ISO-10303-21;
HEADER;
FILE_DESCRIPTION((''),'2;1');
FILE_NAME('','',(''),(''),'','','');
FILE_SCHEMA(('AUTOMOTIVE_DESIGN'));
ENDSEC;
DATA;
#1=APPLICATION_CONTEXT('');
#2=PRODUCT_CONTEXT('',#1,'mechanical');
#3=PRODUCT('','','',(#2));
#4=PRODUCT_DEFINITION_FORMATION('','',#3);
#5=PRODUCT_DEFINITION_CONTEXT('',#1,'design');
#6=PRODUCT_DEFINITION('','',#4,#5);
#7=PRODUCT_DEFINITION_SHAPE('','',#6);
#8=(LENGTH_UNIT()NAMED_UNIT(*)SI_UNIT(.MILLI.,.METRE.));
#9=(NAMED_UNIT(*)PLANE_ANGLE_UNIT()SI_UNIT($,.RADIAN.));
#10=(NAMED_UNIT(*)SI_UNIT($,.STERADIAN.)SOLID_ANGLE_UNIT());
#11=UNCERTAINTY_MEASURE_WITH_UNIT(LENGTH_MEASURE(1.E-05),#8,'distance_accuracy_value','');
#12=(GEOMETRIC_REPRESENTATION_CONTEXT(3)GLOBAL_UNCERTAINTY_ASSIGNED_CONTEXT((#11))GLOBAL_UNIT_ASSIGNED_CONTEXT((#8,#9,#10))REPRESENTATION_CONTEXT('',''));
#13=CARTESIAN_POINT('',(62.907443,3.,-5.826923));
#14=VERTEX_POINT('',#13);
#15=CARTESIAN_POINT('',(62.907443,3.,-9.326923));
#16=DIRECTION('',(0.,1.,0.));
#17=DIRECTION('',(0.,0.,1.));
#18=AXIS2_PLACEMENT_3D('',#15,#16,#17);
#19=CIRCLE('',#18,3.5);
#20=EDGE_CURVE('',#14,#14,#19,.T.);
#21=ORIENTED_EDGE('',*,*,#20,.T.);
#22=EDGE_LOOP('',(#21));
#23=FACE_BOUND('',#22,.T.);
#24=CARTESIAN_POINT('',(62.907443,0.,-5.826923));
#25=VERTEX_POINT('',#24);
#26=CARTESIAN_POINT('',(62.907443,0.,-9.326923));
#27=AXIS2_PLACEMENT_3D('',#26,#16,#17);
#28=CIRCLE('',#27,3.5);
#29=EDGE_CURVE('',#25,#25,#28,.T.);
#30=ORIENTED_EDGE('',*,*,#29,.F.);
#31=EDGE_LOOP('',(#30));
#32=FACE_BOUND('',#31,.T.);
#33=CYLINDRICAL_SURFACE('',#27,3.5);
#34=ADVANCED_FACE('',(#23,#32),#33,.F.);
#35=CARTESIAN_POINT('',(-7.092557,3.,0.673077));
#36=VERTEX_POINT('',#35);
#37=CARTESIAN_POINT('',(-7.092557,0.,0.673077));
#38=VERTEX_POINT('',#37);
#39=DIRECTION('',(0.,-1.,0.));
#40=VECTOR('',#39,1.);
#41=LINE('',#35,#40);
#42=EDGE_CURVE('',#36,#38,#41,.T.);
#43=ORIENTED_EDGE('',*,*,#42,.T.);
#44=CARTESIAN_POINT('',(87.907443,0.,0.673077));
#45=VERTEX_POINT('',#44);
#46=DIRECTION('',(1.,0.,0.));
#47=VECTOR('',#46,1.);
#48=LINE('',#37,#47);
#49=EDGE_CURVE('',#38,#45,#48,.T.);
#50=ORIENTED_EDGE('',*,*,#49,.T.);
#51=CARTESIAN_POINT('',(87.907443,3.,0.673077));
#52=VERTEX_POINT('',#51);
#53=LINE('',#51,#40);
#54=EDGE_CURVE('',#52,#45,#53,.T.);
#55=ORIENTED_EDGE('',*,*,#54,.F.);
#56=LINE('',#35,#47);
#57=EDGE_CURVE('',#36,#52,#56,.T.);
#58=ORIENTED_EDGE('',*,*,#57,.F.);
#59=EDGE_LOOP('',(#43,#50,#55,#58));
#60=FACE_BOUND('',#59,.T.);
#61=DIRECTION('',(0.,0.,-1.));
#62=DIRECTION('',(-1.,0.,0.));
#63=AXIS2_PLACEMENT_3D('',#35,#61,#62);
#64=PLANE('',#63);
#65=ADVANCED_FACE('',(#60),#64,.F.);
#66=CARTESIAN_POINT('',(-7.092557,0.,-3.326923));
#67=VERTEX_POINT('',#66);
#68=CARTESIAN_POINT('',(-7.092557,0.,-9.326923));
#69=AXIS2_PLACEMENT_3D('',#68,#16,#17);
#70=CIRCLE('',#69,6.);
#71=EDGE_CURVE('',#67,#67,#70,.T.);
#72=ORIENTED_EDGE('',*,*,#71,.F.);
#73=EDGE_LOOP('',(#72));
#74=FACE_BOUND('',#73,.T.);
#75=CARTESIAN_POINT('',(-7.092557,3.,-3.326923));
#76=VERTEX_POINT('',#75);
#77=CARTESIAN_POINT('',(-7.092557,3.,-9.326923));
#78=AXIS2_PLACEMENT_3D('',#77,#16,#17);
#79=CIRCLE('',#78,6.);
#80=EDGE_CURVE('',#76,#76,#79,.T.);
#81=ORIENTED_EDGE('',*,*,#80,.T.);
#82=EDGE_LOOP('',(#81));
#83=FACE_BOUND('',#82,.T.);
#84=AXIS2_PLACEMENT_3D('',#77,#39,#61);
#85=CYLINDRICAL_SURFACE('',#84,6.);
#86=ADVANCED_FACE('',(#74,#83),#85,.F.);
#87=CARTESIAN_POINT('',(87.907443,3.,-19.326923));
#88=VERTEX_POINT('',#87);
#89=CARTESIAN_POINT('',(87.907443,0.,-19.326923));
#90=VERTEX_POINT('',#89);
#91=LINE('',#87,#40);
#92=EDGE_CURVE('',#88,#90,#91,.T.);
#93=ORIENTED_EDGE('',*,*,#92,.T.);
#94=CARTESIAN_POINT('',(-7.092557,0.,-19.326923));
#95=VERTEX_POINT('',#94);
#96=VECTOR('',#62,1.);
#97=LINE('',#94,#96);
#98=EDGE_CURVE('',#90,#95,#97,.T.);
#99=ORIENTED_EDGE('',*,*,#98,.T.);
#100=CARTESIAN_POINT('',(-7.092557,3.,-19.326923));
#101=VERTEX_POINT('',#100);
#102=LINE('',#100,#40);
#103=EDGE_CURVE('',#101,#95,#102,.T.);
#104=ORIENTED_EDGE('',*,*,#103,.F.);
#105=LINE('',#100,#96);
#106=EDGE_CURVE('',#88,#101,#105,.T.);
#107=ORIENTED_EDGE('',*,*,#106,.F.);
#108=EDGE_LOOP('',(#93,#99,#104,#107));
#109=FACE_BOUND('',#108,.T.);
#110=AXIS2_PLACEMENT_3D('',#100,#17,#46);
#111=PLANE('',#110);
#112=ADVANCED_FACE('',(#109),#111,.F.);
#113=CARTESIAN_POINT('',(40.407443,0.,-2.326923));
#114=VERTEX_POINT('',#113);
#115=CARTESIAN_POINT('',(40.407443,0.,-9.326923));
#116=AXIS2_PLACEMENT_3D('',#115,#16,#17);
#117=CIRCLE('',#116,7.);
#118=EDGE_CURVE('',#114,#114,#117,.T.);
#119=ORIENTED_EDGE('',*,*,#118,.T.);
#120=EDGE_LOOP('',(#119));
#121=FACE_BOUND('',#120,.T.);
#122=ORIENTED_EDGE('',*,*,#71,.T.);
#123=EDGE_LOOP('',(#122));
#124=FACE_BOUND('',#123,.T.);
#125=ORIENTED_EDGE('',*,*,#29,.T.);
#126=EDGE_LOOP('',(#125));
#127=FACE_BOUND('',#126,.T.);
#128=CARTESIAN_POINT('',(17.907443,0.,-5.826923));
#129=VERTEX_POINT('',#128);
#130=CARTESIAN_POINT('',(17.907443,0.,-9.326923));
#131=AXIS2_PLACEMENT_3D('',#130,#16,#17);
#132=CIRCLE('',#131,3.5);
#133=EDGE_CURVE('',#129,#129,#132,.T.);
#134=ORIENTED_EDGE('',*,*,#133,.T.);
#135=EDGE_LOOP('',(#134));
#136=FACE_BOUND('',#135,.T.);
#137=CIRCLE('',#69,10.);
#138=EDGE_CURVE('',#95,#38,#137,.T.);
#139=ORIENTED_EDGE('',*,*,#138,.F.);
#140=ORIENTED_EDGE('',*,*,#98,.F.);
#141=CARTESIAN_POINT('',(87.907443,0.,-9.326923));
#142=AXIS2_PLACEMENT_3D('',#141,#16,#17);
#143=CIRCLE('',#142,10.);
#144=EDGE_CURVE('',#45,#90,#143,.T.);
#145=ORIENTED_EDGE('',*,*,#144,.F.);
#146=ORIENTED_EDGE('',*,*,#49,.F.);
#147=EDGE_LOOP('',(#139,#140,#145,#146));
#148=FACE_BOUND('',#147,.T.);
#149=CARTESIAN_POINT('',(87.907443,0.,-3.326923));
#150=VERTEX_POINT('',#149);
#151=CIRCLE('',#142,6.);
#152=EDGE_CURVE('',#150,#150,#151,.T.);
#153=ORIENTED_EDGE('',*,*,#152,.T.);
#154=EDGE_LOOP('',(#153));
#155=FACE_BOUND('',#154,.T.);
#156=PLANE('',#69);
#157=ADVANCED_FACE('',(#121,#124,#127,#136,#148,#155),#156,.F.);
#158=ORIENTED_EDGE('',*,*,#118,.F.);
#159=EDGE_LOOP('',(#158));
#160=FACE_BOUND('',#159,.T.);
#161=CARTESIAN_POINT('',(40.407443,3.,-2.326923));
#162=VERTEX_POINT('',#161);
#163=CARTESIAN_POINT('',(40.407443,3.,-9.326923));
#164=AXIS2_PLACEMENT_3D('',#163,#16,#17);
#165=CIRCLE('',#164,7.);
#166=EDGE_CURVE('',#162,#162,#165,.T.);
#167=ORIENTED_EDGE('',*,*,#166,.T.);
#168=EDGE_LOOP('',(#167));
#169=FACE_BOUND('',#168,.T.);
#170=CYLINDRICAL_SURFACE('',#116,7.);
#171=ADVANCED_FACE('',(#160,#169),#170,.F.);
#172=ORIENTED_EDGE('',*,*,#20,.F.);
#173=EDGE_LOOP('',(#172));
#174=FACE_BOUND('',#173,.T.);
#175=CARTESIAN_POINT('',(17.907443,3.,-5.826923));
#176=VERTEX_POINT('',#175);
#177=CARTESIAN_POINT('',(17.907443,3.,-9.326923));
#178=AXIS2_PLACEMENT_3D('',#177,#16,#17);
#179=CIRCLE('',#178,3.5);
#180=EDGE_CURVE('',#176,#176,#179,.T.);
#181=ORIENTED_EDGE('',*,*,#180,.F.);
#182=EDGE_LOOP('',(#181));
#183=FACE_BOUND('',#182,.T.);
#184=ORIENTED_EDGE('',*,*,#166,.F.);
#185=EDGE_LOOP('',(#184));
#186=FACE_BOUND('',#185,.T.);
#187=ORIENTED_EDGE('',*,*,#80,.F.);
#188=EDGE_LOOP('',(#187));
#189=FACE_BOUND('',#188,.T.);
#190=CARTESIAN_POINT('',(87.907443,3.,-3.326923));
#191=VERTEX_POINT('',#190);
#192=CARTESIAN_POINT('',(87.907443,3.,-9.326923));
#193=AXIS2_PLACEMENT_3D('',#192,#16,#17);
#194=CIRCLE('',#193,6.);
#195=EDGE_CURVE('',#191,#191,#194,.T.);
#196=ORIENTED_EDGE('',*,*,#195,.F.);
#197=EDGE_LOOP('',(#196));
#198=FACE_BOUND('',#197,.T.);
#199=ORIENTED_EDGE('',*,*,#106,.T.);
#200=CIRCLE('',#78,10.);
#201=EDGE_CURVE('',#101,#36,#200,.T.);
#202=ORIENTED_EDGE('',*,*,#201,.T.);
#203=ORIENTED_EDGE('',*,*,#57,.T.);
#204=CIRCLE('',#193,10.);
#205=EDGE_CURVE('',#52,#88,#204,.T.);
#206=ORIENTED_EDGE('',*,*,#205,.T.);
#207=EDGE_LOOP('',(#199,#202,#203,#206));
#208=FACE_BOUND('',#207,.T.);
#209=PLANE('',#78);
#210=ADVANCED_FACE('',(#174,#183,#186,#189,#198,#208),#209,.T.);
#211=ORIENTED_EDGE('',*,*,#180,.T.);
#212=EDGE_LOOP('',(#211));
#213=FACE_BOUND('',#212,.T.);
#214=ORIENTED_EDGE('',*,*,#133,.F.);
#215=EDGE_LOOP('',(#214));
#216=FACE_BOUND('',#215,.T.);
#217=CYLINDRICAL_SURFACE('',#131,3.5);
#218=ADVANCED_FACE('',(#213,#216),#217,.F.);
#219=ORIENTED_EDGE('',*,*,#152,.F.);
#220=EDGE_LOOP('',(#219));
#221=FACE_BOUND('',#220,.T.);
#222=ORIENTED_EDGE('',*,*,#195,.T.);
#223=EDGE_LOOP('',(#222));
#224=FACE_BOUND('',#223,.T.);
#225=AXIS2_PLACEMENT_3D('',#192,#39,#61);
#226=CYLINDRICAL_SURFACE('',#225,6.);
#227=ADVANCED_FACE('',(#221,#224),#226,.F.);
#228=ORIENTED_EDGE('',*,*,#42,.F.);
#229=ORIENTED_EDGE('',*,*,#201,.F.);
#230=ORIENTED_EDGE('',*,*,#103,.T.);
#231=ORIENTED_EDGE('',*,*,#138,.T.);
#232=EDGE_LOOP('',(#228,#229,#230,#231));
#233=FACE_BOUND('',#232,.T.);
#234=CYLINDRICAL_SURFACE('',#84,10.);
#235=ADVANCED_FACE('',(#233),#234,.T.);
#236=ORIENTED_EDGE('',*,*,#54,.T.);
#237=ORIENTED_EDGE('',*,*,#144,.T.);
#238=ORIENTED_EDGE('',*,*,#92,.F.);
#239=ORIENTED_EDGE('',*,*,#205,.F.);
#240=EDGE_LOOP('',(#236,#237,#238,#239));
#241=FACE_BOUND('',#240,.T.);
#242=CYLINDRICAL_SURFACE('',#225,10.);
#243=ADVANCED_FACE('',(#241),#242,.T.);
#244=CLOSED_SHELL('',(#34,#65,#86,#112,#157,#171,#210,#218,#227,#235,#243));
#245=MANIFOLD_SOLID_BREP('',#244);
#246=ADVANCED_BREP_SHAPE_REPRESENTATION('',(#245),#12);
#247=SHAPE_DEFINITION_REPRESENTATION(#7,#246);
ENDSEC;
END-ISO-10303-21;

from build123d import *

# Parameters (mm, degrees)
SKETCH1_R           = 6
BOSS_EXTRUDE1_DEPTH = 3
SKETCH2_R           = 7
CUT_EXTRUDE1_DEPTH  = 4
SKETCH3_R           = 3.5
CUT_EXTRUDE2_DEPTH  = 4


with BuildPart() as part:
    # Sketch1 → Boss-Extrude1 (new body)
    with BuildSketch(Plane(origin=(0, 0, 0), x_dir=(1, 0, 0), z_dir=(0, 1, 0))):
        with BuildLine():
            Line((-7.092556659, 19.326923077), (87.907443341, 19.326923077))
            ThreePointArc((87.907443341, 19.326923077), (97.907443341, 9.326923077), (87.907443341, -0.673076923))
            Line((87.907443341, -0.673076923), (-7.092556659, -0.673076923))
            ThreePointArc((-7.092556659, -0.673076923), (-17.092556659, 9.326923077), (-7.092556659, 19.326923077))
        make_face()
        with Locations((-7.092556659, 9.326923077)):
            Circle(SKETCH1_R, mode=Mode.SUBTRACT)
        with Locations((87.907443341, 9.326923077)):
            Circle(SKETCH1_R, mode=Mode.SUBTRACT)
    extrude(amount=BOSS_EXTRUDE1_DEPTH)

    # Sketch2 → Cut-Extrude1 (cut, through all)
    with BuildSketch(Plane(origin=(0, 3, 0), x_dir=(1, 0, 0), z_dir=(0, 1, 0))):
        with Locations((40.407443341, 9.326923077)):
            Circle(SKETCH2_R)
    extrude(amount=-CUT_EXTRUDE1_DEPTH, mode=Mode.SUBTRACT)

    # Sketch3 → Cut-Extrude2 (cut, through all)
    with BuildSketch(Plane(origin=(0, 3, 0), x_dir=(1, 0, 0), z_dir=(0, 1, 0))):
        with Locations((17.907443341, 9.326923077)):
            Circle(SKETCH3_R)
        with Locations((62.907443341, 9.326923077)):
            Circle(SKETCH3_R)
    extrude(amount=-CUT_EXTRUDE2_DEPTH, mode=Mode.SUBTRACT)


solid = part.part
